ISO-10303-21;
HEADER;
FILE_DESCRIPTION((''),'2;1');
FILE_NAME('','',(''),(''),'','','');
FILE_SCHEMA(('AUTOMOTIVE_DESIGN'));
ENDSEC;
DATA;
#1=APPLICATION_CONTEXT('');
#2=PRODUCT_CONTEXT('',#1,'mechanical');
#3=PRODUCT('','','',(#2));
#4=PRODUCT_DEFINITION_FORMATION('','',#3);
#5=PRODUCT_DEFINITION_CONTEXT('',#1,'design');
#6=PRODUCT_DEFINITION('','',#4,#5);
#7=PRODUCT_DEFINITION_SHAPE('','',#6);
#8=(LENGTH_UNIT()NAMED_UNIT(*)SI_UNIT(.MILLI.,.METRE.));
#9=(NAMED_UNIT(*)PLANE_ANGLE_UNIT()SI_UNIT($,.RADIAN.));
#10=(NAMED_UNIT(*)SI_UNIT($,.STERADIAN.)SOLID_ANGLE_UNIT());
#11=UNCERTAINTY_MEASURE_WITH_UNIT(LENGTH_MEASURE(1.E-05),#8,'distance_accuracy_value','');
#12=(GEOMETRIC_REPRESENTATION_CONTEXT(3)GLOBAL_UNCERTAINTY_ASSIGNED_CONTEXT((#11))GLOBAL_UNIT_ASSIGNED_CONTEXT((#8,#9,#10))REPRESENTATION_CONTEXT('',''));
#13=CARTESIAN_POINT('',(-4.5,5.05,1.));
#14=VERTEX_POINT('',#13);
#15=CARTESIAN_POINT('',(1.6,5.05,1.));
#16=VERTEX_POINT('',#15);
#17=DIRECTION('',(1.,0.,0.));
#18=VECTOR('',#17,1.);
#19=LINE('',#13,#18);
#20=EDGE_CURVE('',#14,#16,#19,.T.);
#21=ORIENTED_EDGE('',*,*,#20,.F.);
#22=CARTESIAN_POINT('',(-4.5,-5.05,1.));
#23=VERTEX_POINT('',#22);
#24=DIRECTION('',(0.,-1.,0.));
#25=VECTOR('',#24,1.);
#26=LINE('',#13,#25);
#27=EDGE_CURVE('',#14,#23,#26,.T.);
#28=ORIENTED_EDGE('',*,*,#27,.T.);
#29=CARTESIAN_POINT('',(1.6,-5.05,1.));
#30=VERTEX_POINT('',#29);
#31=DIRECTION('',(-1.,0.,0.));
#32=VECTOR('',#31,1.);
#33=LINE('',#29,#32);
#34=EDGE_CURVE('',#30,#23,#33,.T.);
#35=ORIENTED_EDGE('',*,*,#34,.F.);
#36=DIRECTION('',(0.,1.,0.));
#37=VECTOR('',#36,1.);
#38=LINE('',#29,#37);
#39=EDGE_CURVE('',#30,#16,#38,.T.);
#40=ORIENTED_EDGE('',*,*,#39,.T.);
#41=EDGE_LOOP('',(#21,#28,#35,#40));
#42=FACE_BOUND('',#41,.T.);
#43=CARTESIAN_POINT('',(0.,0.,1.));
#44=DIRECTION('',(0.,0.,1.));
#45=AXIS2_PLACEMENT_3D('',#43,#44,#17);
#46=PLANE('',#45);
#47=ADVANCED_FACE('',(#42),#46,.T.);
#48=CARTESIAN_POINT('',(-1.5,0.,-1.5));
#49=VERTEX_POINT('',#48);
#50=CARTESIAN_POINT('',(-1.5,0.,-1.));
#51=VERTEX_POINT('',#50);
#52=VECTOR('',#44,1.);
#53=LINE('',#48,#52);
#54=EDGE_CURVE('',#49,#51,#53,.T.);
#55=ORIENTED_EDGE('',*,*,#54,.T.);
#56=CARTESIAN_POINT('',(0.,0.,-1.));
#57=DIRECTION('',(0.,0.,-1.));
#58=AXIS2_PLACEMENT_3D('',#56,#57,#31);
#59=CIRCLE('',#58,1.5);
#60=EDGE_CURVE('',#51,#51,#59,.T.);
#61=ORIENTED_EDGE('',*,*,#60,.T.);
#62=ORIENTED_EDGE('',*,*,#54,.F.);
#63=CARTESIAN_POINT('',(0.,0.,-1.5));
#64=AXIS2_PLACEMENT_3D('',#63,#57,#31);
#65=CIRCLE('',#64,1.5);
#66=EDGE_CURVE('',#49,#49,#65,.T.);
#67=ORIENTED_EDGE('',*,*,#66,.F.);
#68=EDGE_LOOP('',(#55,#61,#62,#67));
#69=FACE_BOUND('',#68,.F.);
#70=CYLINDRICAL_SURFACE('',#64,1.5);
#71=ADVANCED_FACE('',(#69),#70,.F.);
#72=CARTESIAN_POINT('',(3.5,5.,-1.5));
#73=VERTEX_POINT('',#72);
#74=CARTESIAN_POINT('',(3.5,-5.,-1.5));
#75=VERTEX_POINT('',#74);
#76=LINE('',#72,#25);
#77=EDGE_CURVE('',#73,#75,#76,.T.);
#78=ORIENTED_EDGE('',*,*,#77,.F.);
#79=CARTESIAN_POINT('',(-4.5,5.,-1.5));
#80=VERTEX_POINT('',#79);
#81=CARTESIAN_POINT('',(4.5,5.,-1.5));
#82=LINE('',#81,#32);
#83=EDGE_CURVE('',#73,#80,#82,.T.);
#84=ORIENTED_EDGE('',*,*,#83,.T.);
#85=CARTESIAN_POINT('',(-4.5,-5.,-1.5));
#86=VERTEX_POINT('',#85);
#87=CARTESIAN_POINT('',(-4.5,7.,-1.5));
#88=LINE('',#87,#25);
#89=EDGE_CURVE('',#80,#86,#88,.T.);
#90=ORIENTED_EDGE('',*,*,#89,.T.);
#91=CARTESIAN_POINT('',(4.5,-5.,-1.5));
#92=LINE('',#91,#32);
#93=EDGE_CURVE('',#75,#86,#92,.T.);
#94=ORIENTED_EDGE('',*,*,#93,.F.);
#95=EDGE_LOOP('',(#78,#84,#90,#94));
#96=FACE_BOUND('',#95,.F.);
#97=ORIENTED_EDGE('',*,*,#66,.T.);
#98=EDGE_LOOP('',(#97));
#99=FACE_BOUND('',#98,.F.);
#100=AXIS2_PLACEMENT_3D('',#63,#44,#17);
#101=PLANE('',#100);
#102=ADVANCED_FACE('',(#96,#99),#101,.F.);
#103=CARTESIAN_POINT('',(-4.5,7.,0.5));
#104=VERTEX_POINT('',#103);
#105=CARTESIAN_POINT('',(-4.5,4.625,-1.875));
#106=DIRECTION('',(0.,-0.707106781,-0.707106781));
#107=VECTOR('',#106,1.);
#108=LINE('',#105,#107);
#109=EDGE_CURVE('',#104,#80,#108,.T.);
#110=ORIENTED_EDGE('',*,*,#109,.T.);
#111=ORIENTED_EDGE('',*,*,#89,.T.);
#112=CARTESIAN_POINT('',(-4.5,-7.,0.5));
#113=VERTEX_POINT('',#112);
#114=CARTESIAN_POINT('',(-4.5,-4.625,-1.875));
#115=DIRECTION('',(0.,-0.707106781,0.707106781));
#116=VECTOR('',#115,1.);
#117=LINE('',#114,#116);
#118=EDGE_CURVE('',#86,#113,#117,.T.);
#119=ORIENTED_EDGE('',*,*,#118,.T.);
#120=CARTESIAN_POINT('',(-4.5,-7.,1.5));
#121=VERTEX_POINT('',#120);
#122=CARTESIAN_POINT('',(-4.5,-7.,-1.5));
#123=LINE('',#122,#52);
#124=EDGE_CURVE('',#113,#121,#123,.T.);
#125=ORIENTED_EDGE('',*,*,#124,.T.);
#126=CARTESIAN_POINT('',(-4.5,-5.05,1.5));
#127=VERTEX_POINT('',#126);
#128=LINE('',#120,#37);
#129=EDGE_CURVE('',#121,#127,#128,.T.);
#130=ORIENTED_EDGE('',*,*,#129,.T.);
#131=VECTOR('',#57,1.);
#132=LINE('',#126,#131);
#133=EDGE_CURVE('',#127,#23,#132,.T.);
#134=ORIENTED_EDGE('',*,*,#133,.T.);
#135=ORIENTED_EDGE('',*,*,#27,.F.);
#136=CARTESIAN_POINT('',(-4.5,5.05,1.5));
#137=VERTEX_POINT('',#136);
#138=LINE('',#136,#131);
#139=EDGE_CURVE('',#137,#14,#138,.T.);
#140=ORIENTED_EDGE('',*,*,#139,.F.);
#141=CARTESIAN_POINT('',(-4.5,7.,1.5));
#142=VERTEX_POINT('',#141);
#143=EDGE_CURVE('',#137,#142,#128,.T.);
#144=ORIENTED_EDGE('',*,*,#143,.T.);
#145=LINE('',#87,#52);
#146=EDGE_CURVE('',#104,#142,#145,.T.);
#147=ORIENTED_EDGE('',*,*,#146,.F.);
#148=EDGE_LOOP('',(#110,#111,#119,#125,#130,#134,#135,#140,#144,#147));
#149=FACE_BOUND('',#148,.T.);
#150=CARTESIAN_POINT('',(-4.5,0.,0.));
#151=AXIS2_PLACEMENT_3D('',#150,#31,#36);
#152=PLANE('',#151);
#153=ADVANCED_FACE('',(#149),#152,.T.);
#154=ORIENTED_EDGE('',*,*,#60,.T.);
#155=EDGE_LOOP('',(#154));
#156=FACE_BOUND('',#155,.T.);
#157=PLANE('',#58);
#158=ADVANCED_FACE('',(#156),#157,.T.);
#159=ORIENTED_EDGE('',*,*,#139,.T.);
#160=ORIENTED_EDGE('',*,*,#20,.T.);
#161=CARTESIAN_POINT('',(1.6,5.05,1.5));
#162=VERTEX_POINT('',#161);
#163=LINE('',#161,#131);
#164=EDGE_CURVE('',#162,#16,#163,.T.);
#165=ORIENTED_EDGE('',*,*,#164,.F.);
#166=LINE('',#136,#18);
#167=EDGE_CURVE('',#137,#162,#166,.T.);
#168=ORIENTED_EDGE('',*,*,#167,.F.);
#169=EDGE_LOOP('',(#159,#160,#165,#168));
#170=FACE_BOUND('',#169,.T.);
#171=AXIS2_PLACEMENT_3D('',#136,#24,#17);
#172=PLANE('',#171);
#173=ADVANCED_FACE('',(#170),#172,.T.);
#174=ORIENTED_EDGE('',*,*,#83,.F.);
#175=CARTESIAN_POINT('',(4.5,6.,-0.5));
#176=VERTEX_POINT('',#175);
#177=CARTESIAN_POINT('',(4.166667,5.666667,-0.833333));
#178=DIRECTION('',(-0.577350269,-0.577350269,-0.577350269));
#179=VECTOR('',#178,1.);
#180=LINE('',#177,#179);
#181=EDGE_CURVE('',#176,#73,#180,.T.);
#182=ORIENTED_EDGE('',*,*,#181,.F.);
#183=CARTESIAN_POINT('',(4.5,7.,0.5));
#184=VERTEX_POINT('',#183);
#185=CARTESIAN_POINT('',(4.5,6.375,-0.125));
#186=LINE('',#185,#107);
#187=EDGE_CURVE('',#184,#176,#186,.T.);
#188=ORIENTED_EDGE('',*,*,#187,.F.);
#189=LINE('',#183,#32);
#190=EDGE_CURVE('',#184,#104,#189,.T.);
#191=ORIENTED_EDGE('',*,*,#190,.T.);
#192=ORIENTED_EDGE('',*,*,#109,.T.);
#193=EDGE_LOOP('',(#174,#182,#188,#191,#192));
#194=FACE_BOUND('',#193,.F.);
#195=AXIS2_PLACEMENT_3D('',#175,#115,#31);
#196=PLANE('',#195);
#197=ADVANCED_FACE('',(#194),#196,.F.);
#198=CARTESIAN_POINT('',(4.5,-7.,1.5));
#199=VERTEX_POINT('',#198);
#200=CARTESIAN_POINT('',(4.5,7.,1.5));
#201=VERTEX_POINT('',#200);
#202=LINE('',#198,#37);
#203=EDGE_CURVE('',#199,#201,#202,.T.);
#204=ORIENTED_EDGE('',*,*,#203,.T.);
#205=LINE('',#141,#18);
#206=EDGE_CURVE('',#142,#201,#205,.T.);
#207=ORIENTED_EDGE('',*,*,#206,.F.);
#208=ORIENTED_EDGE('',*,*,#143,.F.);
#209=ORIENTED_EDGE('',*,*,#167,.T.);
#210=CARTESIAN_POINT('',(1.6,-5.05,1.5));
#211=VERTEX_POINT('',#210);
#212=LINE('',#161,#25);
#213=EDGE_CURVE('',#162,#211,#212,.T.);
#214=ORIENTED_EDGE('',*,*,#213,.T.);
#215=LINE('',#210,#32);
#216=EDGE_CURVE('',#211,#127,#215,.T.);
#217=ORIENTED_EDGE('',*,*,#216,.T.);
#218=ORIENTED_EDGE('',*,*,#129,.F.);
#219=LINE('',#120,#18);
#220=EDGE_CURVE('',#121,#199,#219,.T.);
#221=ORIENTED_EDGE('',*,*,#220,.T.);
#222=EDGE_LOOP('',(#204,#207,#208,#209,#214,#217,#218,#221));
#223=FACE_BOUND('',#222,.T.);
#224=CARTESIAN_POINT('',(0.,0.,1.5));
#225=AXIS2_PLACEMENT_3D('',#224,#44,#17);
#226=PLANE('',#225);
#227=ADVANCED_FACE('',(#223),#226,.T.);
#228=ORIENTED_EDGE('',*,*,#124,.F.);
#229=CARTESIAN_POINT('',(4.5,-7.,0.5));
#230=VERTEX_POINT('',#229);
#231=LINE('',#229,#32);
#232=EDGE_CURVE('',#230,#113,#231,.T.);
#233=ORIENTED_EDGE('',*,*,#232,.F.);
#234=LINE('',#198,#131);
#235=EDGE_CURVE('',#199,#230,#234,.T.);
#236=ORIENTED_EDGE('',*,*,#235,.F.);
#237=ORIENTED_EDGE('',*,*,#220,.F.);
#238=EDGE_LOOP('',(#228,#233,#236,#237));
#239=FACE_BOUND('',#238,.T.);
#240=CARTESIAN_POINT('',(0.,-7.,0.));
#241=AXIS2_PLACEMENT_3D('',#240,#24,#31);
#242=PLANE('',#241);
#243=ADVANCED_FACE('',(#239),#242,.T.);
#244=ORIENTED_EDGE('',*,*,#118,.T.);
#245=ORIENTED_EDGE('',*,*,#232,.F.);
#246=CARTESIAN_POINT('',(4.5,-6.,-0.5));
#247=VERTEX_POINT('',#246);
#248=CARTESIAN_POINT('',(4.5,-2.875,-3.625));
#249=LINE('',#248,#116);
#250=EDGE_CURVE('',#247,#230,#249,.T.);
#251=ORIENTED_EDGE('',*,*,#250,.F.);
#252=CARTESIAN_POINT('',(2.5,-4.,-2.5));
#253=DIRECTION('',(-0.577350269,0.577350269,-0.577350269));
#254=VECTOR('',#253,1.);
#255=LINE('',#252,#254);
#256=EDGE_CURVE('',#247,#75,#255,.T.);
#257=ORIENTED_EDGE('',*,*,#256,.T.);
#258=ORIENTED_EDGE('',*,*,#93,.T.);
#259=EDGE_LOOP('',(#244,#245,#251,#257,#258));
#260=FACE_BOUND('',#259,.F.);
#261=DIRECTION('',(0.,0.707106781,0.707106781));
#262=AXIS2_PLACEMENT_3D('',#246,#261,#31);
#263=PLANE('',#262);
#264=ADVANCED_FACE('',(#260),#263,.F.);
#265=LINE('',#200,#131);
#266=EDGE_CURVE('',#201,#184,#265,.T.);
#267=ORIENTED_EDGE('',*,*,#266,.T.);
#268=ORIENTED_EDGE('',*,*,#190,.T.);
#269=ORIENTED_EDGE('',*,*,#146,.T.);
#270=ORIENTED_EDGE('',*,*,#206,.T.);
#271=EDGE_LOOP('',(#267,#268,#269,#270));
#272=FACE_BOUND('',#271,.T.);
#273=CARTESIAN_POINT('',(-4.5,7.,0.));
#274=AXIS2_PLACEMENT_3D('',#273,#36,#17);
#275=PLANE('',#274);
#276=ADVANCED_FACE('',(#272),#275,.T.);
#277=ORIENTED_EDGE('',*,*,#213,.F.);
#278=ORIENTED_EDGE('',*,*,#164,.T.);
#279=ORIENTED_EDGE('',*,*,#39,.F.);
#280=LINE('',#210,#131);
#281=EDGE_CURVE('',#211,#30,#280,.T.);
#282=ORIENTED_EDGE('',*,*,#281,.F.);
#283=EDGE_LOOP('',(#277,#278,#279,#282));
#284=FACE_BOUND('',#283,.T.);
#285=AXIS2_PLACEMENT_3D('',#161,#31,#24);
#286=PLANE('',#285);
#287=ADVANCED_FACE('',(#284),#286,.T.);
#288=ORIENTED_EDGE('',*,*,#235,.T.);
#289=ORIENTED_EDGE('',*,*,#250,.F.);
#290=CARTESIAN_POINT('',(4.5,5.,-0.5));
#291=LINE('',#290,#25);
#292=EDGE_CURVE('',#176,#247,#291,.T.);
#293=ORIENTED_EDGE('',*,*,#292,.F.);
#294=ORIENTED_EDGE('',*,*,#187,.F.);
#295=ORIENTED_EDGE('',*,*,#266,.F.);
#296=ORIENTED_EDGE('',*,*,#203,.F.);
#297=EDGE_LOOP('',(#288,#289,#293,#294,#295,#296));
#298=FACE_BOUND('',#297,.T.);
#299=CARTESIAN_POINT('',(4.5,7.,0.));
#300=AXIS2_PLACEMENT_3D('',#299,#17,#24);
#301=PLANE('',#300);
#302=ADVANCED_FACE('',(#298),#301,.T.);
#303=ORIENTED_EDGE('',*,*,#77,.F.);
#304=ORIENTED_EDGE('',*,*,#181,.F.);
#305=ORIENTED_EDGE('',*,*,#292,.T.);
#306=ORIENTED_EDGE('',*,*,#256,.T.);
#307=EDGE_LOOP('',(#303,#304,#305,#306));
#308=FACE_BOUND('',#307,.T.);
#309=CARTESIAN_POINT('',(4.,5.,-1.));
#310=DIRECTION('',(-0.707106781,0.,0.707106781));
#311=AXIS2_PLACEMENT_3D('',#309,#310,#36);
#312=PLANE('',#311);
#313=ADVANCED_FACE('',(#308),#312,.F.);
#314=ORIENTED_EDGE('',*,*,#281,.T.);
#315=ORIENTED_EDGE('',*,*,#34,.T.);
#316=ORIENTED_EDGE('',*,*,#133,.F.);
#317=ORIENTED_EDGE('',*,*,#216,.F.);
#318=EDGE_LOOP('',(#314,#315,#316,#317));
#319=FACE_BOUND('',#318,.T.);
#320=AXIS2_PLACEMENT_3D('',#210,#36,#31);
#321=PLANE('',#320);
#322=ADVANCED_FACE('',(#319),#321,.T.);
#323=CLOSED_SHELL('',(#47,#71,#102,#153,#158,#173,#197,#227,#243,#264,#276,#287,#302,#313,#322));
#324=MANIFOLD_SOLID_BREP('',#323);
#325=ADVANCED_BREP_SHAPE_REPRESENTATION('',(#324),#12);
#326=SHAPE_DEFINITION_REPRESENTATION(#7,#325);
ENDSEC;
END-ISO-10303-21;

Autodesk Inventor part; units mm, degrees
ref_plane "YZ Plane" through (0, 0, 0) normal (1, 0, 0) x (0, 1, 0)
ref_plane "XZ Plane" through (0, 0, 0) normal (0, 1, 0) x (-1, 0, 0)
ref_plane "XY Plane" through (0, 0, 0) normal (0, 0, 1) x (1, 0, 0)
sketch "スケッチ1" plane through (0, 0, 0) normal (0, 0, 1) x (1, 0, 0)
  line L0 (-4.5, 7) -> (4.5, 7)
  line L1 (4.5, 7) -> (4.5, -7)
  line L2 (4.5, -7) -> (-4.5, -7)
  line L3 (-4.5, -7) -> (-4.5, 7)
  line L4 (0, -9.8) -> (0, 9.8) projected
  line L5 (-6.3, 0) -> (6.3, 0) projected
  point P0 (0, 0)
  dimension "d0" = 9
  dimension "d1" = 14
extrude "押し出し1" add sketch "スケッチ1" along normal mid plane 3
sketch "スケッチ2" plane through (0, 0, 1.5) normal (0, 0, 1) x (1, 0, 0)
  line L0 (-4.5, 7) -> (-4.5, -7) projected
  line L1 (-4.5, 5.05) -> (1.6, 5.05)
  line L2 (1.6, 5.05) -> (1.6, -5.05)
  line L3 (1.6, -5.05) -> (-4.5, -5.05)
  line L4 (-4.5, -5.05) -> (-4.5, 5.05)
  line L5 (-6.3, 0) -> (6.3, 0) projected
  point P0 (0, 0)
  dimension "d4" = 6.1
  dimension "d5" = 10.1
extrude "押し出し2" cut sketch "スケッチ2" against normal blind 0.5
sketch "スケッチ3" plane through (0, 0, -1.5) normal (0, 0, -1) x (-1, 0, 0)
  circle A0 centre (0, 0) radius 1.5
  dimension "d8" = 3
extrude "押し出し3" cut sketch "スケッチ3" against normal blind 0.5
chamfer "面取り1" distance 2 angle 45 2 edges at (0, -7, -1.5) (0, 7, -1.5)
chamfer "面取り2" distance 1 angle 45 1 edges at (4.5, 0, -1.5)
properties part number "magnet_holder_ver.1"
